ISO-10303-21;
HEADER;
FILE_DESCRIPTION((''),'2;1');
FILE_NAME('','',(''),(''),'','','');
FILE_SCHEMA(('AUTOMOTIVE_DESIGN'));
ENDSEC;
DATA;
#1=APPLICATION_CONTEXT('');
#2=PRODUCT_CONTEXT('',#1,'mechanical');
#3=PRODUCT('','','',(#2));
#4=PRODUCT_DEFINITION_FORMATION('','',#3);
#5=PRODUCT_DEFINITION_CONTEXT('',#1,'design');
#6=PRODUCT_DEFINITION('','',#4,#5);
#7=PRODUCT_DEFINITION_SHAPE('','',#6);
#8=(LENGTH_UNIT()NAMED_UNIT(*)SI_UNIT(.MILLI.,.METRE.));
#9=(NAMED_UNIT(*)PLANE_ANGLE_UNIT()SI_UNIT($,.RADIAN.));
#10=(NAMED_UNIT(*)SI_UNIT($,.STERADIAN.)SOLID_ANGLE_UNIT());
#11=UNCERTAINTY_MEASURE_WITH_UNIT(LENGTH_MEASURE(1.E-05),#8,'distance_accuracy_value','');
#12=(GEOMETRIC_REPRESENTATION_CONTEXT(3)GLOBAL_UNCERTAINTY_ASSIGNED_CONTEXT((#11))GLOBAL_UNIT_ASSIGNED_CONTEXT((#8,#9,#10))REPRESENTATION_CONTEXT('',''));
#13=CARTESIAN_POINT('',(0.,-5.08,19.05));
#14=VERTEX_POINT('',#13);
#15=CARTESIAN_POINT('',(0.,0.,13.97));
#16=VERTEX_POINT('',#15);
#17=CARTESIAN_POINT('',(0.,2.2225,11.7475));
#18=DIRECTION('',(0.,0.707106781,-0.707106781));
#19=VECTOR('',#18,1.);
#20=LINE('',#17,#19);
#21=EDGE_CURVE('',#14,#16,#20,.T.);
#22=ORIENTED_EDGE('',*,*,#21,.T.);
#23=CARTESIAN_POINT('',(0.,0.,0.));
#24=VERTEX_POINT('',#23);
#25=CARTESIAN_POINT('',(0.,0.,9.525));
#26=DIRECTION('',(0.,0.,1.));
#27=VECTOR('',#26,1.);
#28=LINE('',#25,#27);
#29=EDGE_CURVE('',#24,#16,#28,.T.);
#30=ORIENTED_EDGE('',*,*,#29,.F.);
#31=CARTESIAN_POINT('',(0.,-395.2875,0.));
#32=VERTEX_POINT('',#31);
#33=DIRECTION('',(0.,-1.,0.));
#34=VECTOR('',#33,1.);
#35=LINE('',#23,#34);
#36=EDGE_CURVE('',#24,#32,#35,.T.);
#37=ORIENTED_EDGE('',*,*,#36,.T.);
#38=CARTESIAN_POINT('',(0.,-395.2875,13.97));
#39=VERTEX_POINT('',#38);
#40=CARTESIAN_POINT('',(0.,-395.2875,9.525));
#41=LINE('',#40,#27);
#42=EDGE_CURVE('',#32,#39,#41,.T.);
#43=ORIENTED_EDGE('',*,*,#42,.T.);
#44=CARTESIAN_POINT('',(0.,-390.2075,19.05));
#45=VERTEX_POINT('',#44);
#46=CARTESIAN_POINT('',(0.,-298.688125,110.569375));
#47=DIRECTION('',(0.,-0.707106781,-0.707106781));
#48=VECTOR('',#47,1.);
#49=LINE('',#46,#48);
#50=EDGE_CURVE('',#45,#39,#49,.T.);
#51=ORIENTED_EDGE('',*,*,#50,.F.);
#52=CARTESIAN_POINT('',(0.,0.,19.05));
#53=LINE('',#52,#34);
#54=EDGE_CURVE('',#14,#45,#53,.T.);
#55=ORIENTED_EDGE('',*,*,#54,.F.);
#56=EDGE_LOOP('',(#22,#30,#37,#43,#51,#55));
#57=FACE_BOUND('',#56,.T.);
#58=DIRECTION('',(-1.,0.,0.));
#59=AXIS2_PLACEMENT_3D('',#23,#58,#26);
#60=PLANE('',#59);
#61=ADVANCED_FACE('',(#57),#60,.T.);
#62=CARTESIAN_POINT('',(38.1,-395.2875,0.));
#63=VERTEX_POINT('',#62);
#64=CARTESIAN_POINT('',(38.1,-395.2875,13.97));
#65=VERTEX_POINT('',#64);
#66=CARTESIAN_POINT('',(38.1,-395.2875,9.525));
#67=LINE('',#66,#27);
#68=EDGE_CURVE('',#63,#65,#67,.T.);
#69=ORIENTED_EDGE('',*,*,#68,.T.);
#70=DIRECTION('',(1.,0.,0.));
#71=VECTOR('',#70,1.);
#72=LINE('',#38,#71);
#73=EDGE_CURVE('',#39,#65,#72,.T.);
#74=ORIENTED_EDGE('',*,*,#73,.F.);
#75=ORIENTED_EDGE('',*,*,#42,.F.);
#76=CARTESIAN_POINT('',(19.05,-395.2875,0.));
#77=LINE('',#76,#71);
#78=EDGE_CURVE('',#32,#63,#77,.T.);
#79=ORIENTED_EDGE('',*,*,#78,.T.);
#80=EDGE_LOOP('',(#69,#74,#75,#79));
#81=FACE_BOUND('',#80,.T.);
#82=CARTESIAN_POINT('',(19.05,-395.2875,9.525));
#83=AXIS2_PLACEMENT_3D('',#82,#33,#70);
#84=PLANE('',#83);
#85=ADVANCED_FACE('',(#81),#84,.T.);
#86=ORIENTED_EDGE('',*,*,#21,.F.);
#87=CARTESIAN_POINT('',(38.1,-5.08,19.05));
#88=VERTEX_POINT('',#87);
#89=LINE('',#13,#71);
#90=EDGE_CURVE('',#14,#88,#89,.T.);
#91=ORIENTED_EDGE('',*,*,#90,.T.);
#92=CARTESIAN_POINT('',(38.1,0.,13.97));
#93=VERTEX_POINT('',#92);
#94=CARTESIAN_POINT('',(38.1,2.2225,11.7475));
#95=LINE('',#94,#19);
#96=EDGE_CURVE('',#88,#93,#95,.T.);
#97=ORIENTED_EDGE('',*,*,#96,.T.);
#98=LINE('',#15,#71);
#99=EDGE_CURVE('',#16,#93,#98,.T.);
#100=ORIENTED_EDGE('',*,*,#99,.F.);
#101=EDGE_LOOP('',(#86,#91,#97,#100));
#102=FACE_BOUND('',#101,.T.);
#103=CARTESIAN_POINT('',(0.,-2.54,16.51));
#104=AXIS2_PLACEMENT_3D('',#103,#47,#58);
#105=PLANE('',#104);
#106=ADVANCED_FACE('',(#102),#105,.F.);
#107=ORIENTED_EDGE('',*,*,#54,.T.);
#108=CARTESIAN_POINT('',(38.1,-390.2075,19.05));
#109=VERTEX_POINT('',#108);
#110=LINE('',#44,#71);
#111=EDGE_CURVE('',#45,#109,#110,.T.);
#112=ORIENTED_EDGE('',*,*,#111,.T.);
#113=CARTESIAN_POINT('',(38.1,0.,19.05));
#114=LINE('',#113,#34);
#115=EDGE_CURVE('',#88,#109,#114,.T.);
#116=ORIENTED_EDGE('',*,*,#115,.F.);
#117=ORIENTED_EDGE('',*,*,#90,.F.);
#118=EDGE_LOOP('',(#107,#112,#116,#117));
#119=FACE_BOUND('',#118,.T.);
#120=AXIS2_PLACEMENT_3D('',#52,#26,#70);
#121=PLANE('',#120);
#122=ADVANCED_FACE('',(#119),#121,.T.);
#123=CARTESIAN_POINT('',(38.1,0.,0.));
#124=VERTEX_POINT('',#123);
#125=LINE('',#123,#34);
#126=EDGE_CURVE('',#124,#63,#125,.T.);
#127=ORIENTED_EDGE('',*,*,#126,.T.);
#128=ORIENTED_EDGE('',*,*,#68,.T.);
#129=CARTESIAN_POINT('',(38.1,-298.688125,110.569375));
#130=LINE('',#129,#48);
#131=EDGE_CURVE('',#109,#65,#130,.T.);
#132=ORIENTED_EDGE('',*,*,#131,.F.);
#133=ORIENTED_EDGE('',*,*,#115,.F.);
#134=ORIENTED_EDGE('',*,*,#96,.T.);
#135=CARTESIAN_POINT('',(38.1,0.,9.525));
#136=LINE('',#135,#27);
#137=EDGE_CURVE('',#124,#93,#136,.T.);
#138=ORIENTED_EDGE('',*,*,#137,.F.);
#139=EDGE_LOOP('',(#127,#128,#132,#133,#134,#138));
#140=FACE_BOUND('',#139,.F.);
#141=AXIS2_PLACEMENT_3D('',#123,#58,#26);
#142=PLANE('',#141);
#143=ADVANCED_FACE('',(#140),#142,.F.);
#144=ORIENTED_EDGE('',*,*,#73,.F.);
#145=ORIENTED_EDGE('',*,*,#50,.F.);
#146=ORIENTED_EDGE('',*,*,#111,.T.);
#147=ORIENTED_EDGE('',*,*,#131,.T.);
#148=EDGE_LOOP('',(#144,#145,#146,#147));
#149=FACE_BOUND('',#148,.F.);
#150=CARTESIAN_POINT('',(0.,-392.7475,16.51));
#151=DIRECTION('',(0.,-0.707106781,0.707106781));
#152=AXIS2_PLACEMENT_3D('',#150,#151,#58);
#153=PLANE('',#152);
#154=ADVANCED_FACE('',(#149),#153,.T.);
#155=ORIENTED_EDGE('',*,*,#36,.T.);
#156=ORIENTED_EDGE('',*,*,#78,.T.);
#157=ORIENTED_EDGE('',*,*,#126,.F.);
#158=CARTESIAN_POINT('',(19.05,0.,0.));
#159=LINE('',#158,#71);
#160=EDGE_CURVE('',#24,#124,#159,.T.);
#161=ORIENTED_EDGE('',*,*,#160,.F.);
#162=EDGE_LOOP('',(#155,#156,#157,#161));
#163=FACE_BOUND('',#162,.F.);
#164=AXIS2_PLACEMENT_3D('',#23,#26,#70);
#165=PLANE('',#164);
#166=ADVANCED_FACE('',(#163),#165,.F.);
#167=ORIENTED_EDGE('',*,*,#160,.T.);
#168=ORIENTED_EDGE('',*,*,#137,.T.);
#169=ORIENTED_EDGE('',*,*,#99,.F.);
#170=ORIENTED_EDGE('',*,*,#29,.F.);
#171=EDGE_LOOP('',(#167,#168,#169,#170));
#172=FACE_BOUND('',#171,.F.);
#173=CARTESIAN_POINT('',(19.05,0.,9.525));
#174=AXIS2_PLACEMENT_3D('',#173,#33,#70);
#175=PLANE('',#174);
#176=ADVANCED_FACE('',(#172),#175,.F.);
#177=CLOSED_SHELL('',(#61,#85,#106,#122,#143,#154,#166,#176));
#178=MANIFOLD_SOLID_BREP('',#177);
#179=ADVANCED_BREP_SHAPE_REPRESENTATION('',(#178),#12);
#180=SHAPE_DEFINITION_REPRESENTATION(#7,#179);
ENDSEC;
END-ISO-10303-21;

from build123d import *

# Parameters (mm, degrees)
F0_W     = 38.1
F0_H     = 19.05
F1_DEPTH = 395.2875
F2_SIZE  = 5.08


with BuildPart() as f1:
    # F0 (on Front) → F1 (new body)
    with BuildSketch(Plane.XZ):
        with Locations((19.05, 9.525)):
            Rectangle(F0_W, F0_H)
    extrude(amount=F1_DEPTH)

    # F2
    f2_edges = [f1.edges().sort_by_distance(p)[0] for p in [
        (19.05, -395.2875, 19.05),
        (19.05, 0, 19.05),
    ]]
    chamfer(f2_edges, length=F2_SIZE)


solid = f1.part
